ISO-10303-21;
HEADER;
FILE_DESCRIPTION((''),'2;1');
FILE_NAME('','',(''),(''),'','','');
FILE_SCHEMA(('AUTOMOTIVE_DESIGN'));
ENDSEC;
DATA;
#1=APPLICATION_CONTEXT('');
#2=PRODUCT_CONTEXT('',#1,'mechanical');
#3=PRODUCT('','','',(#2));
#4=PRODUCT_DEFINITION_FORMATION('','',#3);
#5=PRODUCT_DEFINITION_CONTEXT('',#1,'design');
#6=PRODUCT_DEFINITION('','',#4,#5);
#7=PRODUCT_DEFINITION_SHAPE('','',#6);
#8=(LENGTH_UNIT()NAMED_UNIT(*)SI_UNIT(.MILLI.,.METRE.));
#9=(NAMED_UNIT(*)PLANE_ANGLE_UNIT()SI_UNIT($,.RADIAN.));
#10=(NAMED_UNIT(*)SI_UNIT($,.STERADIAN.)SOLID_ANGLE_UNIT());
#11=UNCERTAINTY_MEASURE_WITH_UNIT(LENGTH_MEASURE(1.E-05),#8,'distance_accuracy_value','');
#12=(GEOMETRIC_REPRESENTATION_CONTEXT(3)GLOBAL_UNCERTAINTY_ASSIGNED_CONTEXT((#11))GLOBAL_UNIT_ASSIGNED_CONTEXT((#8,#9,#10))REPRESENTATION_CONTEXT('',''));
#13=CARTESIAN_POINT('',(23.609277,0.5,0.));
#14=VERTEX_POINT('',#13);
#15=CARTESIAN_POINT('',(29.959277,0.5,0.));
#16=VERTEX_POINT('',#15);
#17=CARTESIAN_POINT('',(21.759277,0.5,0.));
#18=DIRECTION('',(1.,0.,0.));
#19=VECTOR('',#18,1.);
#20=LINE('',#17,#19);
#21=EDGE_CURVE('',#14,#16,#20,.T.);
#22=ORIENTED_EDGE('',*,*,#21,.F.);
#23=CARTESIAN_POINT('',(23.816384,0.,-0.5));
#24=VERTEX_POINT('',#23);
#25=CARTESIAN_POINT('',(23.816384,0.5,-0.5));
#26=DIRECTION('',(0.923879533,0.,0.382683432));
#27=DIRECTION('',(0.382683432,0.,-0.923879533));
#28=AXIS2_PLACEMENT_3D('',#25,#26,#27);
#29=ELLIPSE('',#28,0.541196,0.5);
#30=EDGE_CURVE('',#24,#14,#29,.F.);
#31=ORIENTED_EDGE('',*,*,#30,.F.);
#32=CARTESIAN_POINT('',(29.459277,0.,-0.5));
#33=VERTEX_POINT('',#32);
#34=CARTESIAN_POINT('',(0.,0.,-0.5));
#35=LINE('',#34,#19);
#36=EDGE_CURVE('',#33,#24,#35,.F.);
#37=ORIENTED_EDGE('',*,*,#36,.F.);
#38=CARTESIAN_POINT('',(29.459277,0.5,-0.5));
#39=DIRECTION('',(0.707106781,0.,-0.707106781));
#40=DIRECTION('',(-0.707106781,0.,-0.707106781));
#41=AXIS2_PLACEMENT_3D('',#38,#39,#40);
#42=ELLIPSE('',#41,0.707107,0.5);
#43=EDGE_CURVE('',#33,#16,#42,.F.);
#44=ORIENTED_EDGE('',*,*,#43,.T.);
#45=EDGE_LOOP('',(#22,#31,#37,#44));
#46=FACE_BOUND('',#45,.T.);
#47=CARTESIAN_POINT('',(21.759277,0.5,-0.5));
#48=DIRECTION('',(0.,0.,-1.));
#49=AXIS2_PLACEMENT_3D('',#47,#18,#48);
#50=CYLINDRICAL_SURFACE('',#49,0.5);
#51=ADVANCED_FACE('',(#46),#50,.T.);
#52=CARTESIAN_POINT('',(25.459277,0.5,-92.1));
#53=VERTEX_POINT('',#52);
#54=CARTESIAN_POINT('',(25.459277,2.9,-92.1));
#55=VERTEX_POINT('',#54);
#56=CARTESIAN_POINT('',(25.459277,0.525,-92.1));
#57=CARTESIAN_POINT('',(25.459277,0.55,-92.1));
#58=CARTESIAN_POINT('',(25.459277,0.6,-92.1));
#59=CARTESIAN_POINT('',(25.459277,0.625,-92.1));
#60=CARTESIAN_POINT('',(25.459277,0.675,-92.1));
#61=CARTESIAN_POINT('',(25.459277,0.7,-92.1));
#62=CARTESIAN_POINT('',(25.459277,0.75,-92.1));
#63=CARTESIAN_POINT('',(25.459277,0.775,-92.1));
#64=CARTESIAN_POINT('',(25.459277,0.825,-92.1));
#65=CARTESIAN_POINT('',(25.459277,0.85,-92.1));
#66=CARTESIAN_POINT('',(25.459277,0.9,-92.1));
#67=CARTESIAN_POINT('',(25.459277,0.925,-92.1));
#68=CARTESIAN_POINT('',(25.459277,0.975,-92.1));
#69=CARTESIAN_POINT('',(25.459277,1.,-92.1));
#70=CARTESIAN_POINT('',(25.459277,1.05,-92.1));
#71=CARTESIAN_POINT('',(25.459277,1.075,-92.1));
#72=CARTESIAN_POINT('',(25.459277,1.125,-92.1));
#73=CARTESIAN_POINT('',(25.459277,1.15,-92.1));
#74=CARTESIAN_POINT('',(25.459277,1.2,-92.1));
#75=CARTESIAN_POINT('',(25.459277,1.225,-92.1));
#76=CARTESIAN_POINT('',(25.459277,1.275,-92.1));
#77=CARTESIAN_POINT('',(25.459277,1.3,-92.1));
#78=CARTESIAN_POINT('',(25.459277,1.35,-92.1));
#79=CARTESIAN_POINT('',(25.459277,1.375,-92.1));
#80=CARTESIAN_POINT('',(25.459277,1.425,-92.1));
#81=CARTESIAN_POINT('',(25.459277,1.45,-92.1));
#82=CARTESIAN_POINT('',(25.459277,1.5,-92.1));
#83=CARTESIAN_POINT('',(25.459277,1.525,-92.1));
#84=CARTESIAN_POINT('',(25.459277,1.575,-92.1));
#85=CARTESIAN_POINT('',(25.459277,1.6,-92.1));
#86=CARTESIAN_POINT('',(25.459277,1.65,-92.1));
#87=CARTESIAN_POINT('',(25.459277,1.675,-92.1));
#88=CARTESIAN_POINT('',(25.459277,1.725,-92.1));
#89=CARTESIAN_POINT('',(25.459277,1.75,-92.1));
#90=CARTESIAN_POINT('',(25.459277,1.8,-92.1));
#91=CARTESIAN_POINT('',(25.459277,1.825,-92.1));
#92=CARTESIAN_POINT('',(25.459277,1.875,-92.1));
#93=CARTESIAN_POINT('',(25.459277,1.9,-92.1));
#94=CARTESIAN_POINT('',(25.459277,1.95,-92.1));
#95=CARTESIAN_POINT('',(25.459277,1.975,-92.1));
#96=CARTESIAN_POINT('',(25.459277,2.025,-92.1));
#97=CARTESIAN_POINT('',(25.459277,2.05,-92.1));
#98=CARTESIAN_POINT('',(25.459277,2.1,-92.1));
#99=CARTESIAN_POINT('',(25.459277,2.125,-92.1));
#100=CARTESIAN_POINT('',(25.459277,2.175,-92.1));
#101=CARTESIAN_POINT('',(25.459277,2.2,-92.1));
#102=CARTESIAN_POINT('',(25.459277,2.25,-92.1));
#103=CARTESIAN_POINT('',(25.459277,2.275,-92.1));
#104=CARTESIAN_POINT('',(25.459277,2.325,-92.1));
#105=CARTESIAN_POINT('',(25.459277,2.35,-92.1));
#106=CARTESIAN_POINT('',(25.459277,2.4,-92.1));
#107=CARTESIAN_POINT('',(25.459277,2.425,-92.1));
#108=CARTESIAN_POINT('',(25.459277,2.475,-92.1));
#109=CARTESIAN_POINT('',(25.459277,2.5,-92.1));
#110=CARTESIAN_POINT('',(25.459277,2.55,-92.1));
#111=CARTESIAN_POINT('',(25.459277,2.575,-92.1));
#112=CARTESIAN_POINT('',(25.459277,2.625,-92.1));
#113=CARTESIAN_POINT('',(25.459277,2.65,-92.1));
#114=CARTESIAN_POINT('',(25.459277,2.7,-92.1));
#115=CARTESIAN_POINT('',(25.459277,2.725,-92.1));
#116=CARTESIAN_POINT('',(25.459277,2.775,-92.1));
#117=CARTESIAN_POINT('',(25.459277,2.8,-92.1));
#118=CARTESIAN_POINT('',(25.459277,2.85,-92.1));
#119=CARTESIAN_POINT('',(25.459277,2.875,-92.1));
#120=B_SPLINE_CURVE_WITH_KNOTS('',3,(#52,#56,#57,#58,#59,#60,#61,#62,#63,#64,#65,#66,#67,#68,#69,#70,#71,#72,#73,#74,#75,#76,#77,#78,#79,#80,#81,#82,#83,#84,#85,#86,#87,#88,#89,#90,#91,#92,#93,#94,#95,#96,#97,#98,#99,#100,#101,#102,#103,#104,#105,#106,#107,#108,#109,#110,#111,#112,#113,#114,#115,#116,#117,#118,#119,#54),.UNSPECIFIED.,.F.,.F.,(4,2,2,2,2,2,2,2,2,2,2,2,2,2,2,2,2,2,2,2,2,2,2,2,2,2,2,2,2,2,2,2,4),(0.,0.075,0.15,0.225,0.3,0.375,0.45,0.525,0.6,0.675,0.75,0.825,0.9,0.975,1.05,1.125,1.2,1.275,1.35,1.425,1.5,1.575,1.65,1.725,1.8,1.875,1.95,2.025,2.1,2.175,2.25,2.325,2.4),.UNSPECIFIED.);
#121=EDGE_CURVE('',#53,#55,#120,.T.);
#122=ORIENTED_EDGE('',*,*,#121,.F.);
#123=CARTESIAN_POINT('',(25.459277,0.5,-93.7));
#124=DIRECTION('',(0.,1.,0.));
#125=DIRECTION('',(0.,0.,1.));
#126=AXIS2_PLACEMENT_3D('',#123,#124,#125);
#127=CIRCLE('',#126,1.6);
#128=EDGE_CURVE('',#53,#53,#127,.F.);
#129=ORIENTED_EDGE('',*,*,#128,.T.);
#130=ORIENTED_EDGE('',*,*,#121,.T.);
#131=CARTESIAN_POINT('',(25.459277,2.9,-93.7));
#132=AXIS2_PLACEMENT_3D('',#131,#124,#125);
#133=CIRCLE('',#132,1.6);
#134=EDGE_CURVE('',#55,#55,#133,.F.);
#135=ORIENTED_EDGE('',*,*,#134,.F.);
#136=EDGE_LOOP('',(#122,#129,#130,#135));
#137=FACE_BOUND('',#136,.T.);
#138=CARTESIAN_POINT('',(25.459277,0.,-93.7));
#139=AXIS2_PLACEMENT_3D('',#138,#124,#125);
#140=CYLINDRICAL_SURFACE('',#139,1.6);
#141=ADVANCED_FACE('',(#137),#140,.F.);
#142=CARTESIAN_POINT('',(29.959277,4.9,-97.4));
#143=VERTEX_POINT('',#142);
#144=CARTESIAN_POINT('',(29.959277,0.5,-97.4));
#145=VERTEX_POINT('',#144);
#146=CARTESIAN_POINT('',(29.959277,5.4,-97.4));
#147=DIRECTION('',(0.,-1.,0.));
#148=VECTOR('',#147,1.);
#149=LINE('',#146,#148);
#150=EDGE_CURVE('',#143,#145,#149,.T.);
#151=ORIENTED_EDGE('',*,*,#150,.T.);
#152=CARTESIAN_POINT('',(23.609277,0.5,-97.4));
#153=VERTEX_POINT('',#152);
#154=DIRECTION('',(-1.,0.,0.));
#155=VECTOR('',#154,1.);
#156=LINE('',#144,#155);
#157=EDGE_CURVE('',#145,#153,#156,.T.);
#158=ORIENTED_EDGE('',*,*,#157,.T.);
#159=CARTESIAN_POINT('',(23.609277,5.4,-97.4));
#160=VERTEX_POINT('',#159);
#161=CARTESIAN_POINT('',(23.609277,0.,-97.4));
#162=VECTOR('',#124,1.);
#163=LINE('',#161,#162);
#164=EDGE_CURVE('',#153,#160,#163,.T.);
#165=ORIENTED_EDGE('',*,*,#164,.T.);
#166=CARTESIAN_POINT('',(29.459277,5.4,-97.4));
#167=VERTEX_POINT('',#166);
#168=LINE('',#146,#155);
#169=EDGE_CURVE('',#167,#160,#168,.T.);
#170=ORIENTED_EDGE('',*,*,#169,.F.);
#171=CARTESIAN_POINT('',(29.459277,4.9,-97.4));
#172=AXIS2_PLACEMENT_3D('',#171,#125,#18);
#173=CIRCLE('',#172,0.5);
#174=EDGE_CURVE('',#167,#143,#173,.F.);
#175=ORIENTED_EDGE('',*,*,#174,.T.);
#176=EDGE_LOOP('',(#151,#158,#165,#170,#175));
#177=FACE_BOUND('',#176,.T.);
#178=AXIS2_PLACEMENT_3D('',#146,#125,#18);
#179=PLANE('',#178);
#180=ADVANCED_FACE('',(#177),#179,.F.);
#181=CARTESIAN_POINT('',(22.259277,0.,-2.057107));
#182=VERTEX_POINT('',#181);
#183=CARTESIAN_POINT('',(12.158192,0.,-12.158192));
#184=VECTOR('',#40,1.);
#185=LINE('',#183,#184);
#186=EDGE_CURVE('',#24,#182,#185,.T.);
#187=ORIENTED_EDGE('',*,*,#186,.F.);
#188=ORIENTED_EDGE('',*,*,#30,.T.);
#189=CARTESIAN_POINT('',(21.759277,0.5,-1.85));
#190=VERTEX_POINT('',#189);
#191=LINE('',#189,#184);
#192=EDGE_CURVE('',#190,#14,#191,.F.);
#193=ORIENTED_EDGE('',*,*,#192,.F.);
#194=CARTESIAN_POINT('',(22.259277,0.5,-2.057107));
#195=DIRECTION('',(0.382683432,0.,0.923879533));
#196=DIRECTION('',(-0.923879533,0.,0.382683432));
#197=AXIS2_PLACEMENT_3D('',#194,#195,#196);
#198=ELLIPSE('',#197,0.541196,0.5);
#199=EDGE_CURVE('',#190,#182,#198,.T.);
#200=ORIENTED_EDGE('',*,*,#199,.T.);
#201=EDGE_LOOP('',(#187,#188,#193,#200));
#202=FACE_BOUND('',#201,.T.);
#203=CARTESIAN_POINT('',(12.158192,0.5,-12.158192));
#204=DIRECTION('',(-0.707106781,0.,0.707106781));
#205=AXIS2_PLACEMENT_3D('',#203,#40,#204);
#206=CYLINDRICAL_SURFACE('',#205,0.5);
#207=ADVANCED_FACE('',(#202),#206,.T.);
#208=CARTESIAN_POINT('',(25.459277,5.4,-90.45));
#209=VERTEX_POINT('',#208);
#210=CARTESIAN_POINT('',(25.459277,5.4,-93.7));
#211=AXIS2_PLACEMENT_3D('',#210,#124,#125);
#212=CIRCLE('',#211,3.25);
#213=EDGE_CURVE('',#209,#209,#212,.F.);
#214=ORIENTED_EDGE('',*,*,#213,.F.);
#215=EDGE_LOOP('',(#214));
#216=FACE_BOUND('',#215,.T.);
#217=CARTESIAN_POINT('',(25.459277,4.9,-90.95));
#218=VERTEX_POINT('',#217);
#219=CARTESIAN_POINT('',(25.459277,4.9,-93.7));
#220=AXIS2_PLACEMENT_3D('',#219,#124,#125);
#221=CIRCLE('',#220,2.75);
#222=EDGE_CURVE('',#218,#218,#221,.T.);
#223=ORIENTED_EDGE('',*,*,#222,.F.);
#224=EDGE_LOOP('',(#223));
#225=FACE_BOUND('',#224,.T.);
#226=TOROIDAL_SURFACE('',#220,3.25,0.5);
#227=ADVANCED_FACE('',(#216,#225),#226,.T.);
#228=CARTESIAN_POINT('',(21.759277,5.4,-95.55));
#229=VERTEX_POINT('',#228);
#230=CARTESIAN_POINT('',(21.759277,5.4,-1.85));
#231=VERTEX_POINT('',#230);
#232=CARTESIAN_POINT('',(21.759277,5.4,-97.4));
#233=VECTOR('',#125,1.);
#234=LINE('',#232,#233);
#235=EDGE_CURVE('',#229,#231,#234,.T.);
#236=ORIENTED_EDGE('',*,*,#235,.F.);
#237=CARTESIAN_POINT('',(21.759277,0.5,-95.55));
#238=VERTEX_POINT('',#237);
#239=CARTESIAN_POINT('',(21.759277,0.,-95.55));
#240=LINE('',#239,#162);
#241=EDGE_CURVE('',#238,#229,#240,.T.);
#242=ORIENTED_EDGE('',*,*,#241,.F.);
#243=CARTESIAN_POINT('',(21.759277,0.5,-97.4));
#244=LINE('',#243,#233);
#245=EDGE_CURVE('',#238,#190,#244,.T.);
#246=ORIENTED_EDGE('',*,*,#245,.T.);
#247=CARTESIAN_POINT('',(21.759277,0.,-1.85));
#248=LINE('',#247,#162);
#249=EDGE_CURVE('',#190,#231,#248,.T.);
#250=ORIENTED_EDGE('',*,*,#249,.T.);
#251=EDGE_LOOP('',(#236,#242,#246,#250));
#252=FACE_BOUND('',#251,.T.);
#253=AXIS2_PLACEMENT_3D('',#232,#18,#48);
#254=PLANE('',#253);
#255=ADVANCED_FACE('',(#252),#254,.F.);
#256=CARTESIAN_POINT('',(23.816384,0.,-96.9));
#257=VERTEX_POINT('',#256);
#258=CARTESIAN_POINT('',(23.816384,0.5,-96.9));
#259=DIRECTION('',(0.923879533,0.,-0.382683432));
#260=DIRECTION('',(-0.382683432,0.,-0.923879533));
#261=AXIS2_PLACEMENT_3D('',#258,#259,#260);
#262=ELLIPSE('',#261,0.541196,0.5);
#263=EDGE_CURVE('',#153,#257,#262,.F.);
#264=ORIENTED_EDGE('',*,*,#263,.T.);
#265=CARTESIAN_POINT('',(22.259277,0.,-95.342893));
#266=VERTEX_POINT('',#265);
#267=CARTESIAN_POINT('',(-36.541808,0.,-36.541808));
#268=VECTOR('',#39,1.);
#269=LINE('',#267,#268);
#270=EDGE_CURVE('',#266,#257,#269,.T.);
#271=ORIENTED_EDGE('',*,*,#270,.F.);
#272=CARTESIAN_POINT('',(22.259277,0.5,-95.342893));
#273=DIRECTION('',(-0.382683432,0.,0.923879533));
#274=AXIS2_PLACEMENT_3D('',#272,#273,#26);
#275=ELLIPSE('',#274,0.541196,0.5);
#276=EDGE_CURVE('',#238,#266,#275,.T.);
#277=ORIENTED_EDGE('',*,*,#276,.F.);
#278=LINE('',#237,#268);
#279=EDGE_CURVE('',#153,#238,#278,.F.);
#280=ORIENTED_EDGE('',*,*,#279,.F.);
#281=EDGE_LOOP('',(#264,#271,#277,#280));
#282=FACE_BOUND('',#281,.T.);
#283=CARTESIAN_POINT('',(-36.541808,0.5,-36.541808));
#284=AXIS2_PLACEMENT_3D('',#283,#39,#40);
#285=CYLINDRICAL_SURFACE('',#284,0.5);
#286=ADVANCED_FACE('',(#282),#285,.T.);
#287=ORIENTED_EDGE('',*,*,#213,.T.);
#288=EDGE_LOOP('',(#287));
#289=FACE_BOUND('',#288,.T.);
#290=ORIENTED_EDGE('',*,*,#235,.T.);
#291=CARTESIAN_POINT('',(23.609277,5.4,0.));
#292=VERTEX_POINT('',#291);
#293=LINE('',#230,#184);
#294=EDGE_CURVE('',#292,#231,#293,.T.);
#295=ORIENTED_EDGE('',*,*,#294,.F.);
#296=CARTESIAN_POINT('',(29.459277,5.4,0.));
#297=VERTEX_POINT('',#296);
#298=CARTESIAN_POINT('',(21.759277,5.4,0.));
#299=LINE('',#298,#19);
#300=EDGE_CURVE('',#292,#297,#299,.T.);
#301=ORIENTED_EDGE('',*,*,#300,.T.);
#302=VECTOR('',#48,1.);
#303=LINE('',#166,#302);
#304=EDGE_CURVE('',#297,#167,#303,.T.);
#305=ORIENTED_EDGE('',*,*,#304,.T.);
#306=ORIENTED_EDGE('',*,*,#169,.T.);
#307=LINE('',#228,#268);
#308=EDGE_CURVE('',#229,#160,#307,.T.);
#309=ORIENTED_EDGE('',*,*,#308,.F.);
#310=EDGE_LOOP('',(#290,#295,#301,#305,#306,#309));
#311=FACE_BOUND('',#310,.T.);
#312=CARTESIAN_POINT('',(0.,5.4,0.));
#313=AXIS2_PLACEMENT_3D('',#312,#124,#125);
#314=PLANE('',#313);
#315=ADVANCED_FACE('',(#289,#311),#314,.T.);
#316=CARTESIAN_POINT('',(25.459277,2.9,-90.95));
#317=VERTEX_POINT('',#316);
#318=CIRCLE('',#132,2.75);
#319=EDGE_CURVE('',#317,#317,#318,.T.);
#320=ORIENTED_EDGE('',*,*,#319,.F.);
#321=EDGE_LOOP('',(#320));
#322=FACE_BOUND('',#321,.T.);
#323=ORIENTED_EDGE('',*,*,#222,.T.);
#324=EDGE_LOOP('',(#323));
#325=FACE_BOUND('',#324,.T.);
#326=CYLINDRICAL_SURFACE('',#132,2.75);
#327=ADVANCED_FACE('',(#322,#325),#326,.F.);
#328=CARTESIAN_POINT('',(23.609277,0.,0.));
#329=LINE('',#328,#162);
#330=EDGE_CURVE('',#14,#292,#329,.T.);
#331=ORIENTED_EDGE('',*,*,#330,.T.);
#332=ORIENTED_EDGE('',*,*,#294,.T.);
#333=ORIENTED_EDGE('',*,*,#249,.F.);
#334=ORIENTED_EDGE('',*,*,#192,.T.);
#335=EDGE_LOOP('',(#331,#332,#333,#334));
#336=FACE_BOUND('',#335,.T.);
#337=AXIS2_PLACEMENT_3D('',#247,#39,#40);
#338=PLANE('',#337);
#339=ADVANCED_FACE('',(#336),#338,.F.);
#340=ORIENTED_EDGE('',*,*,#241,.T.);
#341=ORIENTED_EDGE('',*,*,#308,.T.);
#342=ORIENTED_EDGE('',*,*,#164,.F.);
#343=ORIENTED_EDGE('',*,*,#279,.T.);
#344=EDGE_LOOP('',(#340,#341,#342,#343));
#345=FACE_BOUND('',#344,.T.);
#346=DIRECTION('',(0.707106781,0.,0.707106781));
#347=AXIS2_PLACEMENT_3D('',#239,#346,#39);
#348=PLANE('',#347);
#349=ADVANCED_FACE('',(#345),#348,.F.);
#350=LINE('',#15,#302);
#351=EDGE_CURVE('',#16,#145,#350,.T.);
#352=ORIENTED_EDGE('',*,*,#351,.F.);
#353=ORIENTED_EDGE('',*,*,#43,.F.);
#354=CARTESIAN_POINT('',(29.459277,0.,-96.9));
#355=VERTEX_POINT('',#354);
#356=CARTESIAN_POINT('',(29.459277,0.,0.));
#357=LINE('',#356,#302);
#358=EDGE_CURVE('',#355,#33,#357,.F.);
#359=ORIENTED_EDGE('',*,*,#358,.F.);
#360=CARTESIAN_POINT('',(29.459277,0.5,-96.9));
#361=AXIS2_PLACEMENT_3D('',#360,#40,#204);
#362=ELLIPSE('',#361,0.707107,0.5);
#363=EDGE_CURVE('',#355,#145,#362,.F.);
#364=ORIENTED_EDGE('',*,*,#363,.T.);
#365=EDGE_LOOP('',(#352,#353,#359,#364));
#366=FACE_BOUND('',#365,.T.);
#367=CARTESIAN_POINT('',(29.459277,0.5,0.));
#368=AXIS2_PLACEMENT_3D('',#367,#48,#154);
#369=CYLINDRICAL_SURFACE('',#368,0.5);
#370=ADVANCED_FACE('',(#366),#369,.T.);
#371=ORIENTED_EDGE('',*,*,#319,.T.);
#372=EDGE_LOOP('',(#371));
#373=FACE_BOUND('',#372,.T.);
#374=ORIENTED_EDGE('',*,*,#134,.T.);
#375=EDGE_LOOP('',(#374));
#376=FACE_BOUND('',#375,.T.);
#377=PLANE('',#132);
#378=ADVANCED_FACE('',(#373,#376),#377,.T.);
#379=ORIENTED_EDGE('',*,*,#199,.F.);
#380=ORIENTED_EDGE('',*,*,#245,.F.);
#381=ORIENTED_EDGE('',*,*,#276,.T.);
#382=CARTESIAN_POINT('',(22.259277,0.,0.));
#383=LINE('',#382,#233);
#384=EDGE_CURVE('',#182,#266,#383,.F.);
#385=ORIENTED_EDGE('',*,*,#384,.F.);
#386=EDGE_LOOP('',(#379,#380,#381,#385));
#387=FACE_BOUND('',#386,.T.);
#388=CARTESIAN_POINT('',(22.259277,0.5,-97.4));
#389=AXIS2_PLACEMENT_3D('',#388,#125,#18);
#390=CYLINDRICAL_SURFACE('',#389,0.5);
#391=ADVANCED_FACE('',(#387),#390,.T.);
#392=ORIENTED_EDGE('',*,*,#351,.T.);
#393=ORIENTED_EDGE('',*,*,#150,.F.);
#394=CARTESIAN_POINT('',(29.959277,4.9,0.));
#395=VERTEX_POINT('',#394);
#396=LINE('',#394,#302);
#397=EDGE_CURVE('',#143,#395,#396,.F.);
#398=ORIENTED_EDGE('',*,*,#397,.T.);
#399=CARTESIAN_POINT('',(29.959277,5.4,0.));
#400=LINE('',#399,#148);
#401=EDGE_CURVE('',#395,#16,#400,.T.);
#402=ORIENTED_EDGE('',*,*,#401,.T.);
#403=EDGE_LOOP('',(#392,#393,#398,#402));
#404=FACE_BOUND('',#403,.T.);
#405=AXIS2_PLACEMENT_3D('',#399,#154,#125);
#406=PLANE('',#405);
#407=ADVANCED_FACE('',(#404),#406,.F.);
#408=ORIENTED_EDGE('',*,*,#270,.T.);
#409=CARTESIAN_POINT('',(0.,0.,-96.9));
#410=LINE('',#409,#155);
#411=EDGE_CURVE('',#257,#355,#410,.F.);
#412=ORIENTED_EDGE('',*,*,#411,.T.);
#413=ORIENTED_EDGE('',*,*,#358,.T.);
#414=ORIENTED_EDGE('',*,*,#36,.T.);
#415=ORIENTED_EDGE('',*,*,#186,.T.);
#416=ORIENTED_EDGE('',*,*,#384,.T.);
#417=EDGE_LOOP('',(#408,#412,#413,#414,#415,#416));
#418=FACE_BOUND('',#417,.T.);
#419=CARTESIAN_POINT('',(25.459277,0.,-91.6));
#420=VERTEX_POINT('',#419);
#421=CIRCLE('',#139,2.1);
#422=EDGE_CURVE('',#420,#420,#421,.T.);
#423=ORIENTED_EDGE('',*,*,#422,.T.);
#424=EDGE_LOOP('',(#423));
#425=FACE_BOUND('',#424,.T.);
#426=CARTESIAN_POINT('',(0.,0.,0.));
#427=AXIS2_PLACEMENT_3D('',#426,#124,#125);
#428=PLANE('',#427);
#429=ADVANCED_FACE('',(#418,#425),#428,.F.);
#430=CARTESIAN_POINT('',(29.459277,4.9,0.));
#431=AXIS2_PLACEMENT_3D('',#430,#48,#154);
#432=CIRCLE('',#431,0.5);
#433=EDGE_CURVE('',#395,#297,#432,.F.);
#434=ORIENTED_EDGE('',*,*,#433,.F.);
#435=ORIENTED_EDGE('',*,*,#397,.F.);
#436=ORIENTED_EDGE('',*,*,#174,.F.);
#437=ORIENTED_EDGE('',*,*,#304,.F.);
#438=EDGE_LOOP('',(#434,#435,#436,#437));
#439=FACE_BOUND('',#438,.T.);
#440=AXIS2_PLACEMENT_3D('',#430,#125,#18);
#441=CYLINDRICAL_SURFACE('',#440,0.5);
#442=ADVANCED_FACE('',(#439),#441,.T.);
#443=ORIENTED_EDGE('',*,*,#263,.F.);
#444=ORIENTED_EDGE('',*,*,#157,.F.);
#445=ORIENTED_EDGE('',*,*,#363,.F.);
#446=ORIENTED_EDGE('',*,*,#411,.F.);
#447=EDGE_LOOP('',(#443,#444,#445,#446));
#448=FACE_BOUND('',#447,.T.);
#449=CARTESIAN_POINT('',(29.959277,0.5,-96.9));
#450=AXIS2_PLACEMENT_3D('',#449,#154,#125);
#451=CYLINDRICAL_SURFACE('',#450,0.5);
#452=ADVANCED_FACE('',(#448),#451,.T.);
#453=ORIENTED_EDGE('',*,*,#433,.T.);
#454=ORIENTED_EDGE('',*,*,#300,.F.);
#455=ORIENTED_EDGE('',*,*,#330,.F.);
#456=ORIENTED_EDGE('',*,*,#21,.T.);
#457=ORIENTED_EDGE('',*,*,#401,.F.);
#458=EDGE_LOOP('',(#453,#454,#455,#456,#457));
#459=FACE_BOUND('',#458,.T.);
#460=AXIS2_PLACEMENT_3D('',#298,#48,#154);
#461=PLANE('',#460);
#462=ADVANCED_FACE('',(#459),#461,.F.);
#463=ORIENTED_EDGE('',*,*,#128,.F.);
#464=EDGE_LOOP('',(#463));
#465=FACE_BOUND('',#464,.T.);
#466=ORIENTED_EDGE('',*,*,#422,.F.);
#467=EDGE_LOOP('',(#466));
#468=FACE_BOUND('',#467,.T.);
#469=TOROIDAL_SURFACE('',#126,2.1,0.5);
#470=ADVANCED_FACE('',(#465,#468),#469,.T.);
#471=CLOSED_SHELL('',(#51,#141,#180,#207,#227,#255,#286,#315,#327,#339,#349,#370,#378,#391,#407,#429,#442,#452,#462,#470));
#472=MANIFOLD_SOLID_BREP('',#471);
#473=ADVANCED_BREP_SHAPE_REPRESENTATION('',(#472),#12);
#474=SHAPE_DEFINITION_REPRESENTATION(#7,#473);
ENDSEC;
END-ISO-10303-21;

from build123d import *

# Parameters (mm, degrees)
SKETCH_1_W          = 8.2
SKETCH_1_H          = 97.4
EXTRUDE_1_DEPTH     = 5.4
SKETCH_2_R          = 1.6
CUT_EXTRUDE_1_DEPTH = 103.046451594
FILLET_1_R          = 0.5
FILLET_2_R          = 0.5
SKETCH_3_R          = 2.75
CUT_EXTRUDE_2_DEPTH = 2.5
FILLET_3_R          = 0.5


with BuildPart() as part:
    # 草图1 → 凸台-拉伸1 (new body)
    with BuildSketch(Plane(origin=(0, 0, 0), x_dir=(1, 0, 0), z_dir=(0, 1, 0))):
        with Locations((25.859277076, 48.7)):
            Rectangle(SKETCH_1_W, SKETCH_1_H)
    extrude(amount=EXTRUDE_1_DEPTH)

    # 草图2 → 切除-拉伸1 (cut, through all)
    with BuildSketch(Plane(origin=(0, 5.4, 0), x_dir=(1, 0, 0), z_dir=(0, 1, 0))):
        with Locations(Location((25.459277076, 93.7, 0), (0, 0, 270))):
            Circle(SKETCH_2_R)
        Polygon((21.759277076, 97.4), (23.609277076, 97.4), (21.759277076, 95.55), align=None)
        Polygon((21.759277076, 0), (23.609277076, 0), (21.759277076, 1.85), align=None)
    extrude(amount=-CUT_EXTRUDE_1_DEPTH, mode=Mode.SUBTRACT)

    # 圆角1
    fillet_1_edges = [part.edges().sort_by_distance(p)[0] for p in [
        (21.759277076, 0, -48.7),
        (26.784277076, 0, 0),
        (22.684277076, 0, -96.475),
        (22.684277076, 0, -0.925),
        (25.459277076, 0, -95.3),
        (26.784277076, 0, -97.4),
        (29.959277076, 0, -48.7),
    ]]
    fillet(fillet_1_edges, radius=FILLET_1_R)

    # 圆角2
    fillet_2_edges = [part.edges().sort_by_distance(p)[0] for p in [
        (29.959277076, 5.4, -48.7),
    ]]
    fillet(fillet_2_edges, radius=FILLET_2_R)

    # 草图3 → 切除-拉伸2 (cut)
    with BuildSketch(Plane(origin=(0, 5.4, 0), x_dir=(1, 0, 0), z_dir=(0, 1, 0))):
        with Locations(Location((25.459277076, 93.7, 0), (0, 0, 270))):
            Circle(SKETCH_3_R)
    extrude(amount=-CUT_EXTRUDE_2_DEPTH, mode=Mode.SUBTRACT)

    # 圆角3
    fillet_3_edges = [part.edges().sort_by_distance(p)[0] for p in [
        (25.459277076, 5.4, -96.45),
    ]]
    fillet(fillet_3_edges, radius=FILLET_3_R)


solid = part.part
